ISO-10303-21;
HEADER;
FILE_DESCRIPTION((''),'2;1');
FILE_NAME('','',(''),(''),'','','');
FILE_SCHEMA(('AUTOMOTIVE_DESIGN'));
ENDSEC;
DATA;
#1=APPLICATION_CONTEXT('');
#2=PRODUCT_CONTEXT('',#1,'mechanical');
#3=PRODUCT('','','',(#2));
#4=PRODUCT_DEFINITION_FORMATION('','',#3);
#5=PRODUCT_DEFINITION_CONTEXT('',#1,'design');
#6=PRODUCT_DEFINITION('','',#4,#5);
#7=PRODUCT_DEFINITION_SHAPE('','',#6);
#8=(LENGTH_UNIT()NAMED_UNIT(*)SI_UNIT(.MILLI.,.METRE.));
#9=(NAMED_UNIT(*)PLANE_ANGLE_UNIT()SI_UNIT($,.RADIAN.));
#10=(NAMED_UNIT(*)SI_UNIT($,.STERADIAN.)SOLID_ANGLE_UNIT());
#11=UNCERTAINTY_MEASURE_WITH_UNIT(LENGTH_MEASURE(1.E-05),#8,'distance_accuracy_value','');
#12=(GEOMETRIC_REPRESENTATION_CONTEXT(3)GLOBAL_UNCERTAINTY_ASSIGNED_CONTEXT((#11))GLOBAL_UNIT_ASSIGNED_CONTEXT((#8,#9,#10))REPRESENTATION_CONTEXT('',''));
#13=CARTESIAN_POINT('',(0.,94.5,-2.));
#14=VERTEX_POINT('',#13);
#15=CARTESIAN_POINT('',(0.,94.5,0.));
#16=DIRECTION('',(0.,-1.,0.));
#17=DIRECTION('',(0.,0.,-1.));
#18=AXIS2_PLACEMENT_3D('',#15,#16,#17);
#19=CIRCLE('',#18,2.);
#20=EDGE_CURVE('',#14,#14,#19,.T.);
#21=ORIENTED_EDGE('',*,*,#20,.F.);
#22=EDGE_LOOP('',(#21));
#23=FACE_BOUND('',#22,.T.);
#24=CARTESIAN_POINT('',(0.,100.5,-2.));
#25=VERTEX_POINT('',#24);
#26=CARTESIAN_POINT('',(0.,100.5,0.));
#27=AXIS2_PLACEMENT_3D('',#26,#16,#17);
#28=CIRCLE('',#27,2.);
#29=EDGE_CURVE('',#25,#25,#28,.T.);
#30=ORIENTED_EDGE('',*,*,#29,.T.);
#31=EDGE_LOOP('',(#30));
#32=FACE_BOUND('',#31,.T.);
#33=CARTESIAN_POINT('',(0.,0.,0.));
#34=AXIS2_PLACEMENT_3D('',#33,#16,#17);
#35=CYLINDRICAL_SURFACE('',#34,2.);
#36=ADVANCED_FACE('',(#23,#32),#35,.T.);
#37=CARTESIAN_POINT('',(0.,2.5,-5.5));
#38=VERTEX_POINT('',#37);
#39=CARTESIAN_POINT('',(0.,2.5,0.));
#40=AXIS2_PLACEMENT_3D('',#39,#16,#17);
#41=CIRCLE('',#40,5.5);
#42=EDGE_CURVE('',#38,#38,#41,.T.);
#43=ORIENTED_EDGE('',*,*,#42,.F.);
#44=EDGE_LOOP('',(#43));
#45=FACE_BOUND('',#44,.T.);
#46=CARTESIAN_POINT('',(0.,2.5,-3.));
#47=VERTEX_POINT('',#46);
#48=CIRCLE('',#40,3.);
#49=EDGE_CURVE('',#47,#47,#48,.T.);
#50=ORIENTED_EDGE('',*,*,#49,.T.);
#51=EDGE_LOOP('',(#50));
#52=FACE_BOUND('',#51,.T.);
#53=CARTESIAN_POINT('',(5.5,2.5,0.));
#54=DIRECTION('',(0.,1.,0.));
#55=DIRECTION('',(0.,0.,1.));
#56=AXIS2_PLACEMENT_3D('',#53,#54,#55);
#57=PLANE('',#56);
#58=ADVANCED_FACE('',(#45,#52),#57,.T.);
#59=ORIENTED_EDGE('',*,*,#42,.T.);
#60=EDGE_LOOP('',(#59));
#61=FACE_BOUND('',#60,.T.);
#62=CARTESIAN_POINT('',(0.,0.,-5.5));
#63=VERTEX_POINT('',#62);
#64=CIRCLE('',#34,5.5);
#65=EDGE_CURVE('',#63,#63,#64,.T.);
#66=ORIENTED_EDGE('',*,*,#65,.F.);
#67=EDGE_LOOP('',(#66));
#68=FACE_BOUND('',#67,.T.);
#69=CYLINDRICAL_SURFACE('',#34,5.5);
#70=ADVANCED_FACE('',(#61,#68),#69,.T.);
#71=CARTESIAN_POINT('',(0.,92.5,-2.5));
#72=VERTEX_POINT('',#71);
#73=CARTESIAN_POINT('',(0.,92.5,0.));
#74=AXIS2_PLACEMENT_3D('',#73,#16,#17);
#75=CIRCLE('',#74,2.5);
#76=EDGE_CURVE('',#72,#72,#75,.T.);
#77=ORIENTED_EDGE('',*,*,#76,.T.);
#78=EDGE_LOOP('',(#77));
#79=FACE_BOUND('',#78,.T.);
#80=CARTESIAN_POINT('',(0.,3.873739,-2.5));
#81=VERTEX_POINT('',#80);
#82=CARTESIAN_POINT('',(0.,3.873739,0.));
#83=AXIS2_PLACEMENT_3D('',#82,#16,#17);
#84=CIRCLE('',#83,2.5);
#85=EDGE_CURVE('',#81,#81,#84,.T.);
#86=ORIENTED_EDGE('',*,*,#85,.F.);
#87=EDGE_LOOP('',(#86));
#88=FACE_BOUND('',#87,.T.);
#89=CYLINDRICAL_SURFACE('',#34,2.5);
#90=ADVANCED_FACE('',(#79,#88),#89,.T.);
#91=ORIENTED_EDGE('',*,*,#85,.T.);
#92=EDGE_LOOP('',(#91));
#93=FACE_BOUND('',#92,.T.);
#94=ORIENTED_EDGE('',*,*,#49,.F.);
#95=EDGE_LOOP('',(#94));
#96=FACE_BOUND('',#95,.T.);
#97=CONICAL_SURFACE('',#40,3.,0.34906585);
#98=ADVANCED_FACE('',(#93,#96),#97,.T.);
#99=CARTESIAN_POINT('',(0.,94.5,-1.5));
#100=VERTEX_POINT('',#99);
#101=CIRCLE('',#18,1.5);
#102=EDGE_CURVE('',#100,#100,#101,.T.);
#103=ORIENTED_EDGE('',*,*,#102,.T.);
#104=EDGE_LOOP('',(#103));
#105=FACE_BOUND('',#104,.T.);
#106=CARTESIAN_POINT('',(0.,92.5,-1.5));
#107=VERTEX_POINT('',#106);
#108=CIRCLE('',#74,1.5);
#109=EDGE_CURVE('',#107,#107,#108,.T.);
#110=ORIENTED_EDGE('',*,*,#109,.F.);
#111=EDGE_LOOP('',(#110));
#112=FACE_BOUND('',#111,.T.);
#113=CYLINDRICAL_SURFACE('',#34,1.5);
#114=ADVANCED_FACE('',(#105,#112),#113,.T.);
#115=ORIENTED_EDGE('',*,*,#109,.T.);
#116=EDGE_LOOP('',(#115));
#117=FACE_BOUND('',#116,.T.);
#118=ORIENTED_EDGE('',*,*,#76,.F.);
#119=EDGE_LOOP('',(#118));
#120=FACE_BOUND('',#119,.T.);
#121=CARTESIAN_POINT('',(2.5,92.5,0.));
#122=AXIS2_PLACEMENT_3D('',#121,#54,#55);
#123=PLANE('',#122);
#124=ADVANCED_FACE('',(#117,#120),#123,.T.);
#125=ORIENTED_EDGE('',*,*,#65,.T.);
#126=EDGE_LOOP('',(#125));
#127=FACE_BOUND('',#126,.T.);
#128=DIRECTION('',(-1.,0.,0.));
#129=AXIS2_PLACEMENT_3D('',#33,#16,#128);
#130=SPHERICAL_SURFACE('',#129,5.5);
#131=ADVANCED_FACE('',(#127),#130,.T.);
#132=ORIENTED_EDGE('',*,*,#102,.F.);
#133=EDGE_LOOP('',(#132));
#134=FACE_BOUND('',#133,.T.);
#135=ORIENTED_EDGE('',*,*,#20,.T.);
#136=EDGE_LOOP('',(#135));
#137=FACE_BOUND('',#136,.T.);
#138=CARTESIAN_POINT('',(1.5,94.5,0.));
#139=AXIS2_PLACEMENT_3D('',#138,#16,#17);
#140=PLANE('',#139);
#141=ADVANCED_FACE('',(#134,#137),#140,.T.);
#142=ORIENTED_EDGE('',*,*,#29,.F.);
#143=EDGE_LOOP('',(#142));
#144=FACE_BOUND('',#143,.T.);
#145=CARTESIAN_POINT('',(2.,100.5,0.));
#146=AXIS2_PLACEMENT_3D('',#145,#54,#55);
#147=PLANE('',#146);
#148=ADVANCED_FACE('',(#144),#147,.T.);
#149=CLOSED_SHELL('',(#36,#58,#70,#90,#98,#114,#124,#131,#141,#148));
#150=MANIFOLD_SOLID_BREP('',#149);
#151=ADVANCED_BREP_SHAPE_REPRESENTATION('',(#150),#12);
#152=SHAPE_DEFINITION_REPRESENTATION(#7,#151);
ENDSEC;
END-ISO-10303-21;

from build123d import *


with BuildPart() as part:
    # Sketch1 → Revolve1 (revolve)
    with BuildSketch(Plane.XY, mode=Mode.PRIVATE) as revolve1_sk:
        with BuildLine():
            Line((5.5, 0), (5.5, 2.5))
            Line((5.5, 2.5), (3, 2.5))
            Line((3, 2.5), (2.5, 3.87373871))
            Line((2.5, 3.87373871), (2.5, 92.5))
            Line((2.5, 92.5), (1.5, 92.5))
            Line((1.5, 92.5), (1.5, 94.5))
            Line((1.5, 94.5), (2, 94.5))
            Line((2, 94.5), (2, 100.5))
            Line((2, 100.5), (0, 100.5))
            Line((0, 100.5), (0, -5.5))
            ThreePointArc((0, -5.5), (3.889087297, -3.889087297), (5.5, 0))
        make_face()
    revolve(revolve1_sk.sketch.rotate(Axis((0, 0, 0), (0, 1, 0)), 90), axis=Axis((0, 0, 0), (0, 1, 0)))


solid = part.part
